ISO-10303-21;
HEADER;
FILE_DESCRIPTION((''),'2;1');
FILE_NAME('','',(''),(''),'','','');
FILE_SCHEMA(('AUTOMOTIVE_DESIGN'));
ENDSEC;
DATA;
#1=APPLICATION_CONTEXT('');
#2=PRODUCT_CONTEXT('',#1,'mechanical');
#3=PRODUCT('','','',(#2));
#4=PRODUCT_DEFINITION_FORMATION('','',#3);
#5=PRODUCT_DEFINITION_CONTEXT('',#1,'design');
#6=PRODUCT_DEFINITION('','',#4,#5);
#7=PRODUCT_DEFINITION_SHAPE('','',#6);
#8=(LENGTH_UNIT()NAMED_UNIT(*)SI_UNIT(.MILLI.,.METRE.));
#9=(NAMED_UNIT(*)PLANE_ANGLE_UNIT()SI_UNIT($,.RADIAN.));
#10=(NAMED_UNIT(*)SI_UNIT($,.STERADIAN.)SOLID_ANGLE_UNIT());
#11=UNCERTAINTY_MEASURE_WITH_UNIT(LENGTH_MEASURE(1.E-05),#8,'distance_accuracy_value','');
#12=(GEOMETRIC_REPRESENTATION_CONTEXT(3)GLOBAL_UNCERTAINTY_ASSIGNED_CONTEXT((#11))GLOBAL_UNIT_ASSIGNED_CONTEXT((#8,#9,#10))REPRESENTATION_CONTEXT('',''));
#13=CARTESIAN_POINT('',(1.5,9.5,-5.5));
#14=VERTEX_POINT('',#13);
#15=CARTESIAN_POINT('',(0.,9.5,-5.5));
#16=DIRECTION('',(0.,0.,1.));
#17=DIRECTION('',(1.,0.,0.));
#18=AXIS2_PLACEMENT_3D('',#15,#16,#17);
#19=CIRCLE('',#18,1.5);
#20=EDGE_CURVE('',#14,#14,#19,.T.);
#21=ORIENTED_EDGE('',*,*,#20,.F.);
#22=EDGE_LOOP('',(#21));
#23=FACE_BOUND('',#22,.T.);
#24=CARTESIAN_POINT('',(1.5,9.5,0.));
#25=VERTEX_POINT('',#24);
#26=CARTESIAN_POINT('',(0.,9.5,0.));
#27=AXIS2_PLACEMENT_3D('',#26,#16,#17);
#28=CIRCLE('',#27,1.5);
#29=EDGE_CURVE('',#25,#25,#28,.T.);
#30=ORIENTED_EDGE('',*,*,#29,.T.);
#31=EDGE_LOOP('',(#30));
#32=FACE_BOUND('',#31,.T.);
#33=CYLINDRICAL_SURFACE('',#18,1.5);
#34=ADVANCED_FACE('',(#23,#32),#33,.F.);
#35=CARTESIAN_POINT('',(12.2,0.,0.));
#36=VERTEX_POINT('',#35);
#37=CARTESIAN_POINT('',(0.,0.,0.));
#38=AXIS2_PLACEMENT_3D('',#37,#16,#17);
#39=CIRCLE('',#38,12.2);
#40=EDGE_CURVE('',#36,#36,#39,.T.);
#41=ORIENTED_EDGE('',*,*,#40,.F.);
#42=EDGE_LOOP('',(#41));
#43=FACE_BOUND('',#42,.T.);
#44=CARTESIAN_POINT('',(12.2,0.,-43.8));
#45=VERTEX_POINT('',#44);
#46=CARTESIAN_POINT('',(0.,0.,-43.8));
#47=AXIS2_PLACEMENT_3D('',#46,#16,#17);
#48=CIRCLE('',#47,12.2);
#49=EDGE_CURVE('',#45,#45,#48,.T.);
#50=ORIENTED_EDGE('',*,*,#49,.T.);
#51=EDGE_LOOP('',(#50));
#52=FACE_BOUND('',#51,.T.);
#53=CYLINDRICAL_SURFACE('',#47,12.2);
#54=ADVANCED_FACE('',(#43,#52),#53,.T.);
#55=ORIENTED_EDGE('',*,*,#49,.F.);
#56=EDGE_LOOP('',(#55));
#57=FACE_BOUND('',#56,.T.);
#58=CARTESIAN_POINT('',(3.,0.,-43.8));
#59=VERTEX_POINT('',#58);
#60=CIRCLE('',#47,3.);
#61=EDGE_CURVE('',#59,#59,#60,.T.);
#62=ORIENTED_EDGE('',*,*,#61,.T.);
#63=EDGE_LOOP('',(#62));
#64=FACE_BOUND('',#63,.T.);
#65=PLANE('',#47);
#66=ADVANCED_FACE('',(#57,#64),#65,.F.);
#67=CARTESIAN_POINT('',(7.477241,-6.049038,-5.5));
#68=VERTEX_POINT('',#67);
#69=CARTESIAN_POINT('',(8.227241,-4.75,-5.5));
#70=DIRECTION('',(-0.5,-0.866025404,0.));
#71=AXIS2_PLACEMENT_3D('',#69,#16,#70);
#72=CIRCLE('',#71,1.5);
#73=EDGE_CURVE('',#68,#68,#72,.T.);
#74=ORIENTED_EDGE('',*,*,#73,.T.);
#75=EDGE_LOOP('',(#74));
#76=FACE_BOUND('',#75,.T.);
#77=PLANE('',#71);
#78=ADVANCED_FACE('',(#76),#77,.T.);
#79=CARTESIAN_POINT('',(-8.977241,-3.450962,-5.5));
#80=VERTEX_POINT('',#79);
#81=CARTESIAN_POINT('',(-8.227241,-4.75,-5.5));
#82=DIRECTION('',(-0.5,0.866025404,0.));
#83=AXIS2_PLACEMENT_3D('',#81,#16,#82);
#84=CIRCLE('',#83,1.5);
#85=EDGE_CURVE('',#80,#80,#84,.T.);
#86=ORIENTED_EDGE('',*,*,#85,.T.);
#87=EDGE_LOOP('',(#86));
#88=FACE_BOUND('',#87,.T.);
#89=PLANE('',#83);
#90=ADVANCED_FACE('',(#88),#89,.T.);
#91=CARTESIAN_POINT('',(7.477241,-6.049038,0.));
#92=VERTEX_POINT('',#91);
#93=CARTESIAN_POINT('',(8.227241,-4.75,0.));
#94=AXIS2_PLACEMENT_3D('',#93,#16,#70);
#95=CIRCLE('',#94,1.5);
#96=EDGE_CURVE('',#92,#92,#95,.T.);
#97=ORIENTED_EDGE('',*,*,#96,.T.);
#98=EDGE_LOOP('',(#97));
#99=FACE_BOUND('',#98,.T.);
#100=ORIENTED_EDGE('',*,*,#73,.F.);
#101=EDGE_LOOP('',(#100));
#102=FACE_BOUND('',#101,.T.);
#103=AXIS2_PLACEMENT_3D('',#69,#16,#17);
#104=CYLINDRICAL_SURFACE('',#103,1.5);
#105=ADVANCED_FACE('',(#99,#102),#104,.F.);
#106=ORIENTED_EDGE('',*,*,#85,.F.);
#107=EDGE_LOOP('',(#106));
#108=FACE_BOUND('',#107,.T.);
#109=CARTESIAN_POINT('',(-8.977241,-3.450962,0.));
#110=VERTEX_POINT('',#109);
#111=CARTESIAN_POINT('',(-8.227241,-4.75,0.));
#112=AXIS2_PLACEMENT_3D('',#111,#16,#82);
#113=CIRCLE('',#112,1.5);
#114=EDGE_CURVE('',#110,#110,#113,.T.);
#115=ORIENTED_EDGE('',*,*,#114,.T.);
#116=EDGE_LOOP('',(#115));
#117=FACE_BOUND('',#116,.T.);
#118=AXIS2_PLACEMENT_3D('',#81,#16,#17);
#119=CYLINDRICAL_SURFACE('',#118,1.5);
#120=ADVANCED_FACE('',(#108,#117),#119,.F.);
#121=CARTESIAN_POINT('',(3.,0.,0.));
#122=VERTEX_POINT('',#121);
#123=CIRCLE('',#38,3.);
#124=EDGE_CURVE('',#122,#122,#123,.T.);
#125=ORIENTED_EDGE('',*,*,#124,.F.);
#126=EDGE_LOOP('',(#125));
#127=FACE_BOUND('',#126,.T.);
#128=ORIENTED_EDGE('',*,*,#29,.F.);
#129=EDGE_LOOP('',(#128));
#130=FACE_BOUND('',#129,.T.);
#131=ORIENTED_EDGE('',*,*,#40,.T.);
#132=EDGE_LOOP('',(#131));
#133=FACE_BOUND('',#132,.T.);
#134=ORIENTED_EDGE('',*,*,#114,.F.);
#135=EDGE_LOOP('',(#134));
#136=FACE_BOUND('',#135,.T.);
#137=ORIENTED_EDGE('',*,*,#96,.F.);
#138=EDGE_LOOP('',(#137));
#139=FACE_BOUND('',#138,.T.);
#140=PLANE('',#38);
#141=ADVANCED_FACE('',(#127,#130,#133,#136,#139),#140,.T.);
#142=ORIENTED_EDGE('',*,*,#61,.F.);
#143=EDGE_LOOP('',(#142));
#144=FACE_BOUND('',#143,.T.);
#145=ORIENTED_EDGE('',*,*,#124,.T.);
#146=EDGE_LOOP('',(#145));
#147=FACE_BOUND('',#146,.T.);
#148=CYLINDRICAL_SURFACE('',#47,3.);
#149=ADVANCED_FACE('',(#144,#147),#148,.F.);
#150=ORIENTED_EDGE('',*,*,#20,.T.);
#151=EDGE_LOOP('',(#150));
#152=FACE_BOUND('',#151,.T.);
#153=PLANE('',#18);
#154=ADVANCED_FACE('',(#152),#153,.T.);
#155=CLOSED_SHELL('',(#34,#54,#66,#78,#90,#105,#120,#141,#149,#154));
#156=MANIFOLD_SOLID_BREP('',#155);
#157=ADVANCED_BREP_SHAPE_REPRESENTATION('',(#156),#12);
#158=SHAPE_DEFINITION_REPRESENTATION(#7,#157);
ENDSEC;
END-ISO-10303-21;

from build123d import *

# Parameters (mm, degrees)
SKETCH_1_R               = 12.2
SKETCH_1_R_2             = 3
EXTRUDE_1_DEPTH          = 43.8
SKETCH_2_R               = 1.5
CUT_EXTRUDE_1_DEPTH      = 5.5
PATTERN_CIRCULAR_2_COUNT = 3


with BuildPart() as part:
    # 草图1 → 凸台-拉伸1 (new body)
    with BuildSketch(Plane.XY):
        Circle(SKETCH_1_R)
        Circle(SKETCH_1_R_2, mode=Mode.SUBTRACT)
    extrude(amount=-EXTRUDE_1_DEPTH)

    # 草图2 → 切除-拉伸1 (cut)
    with BuildSketch(Plane.XY):
        with Locations((0, 9.5)):
            Circle(SKETCH_2_R)
    cut_extrude_1 = extrude(amount=-CUT_EXTRUDE_1_DEPTH, mode=Mode.SUBTRACT)

    # 阵列(圆周)2: 切除-拉伸1 ×3 about axis
    pattern_circular_2_axis = Axis((0, 0, -43.8), (0, 0, 1))
    for i in range(1, PATTERN_CIRCULAR_2_COUNT):
        add(cut_extrude_1.rotate(pattern_circular_2_axis, i * 360 / PATTERN_CIRCULAR_2_COUNT), mode=Mode.SUBTRACT)


solid = part.part
